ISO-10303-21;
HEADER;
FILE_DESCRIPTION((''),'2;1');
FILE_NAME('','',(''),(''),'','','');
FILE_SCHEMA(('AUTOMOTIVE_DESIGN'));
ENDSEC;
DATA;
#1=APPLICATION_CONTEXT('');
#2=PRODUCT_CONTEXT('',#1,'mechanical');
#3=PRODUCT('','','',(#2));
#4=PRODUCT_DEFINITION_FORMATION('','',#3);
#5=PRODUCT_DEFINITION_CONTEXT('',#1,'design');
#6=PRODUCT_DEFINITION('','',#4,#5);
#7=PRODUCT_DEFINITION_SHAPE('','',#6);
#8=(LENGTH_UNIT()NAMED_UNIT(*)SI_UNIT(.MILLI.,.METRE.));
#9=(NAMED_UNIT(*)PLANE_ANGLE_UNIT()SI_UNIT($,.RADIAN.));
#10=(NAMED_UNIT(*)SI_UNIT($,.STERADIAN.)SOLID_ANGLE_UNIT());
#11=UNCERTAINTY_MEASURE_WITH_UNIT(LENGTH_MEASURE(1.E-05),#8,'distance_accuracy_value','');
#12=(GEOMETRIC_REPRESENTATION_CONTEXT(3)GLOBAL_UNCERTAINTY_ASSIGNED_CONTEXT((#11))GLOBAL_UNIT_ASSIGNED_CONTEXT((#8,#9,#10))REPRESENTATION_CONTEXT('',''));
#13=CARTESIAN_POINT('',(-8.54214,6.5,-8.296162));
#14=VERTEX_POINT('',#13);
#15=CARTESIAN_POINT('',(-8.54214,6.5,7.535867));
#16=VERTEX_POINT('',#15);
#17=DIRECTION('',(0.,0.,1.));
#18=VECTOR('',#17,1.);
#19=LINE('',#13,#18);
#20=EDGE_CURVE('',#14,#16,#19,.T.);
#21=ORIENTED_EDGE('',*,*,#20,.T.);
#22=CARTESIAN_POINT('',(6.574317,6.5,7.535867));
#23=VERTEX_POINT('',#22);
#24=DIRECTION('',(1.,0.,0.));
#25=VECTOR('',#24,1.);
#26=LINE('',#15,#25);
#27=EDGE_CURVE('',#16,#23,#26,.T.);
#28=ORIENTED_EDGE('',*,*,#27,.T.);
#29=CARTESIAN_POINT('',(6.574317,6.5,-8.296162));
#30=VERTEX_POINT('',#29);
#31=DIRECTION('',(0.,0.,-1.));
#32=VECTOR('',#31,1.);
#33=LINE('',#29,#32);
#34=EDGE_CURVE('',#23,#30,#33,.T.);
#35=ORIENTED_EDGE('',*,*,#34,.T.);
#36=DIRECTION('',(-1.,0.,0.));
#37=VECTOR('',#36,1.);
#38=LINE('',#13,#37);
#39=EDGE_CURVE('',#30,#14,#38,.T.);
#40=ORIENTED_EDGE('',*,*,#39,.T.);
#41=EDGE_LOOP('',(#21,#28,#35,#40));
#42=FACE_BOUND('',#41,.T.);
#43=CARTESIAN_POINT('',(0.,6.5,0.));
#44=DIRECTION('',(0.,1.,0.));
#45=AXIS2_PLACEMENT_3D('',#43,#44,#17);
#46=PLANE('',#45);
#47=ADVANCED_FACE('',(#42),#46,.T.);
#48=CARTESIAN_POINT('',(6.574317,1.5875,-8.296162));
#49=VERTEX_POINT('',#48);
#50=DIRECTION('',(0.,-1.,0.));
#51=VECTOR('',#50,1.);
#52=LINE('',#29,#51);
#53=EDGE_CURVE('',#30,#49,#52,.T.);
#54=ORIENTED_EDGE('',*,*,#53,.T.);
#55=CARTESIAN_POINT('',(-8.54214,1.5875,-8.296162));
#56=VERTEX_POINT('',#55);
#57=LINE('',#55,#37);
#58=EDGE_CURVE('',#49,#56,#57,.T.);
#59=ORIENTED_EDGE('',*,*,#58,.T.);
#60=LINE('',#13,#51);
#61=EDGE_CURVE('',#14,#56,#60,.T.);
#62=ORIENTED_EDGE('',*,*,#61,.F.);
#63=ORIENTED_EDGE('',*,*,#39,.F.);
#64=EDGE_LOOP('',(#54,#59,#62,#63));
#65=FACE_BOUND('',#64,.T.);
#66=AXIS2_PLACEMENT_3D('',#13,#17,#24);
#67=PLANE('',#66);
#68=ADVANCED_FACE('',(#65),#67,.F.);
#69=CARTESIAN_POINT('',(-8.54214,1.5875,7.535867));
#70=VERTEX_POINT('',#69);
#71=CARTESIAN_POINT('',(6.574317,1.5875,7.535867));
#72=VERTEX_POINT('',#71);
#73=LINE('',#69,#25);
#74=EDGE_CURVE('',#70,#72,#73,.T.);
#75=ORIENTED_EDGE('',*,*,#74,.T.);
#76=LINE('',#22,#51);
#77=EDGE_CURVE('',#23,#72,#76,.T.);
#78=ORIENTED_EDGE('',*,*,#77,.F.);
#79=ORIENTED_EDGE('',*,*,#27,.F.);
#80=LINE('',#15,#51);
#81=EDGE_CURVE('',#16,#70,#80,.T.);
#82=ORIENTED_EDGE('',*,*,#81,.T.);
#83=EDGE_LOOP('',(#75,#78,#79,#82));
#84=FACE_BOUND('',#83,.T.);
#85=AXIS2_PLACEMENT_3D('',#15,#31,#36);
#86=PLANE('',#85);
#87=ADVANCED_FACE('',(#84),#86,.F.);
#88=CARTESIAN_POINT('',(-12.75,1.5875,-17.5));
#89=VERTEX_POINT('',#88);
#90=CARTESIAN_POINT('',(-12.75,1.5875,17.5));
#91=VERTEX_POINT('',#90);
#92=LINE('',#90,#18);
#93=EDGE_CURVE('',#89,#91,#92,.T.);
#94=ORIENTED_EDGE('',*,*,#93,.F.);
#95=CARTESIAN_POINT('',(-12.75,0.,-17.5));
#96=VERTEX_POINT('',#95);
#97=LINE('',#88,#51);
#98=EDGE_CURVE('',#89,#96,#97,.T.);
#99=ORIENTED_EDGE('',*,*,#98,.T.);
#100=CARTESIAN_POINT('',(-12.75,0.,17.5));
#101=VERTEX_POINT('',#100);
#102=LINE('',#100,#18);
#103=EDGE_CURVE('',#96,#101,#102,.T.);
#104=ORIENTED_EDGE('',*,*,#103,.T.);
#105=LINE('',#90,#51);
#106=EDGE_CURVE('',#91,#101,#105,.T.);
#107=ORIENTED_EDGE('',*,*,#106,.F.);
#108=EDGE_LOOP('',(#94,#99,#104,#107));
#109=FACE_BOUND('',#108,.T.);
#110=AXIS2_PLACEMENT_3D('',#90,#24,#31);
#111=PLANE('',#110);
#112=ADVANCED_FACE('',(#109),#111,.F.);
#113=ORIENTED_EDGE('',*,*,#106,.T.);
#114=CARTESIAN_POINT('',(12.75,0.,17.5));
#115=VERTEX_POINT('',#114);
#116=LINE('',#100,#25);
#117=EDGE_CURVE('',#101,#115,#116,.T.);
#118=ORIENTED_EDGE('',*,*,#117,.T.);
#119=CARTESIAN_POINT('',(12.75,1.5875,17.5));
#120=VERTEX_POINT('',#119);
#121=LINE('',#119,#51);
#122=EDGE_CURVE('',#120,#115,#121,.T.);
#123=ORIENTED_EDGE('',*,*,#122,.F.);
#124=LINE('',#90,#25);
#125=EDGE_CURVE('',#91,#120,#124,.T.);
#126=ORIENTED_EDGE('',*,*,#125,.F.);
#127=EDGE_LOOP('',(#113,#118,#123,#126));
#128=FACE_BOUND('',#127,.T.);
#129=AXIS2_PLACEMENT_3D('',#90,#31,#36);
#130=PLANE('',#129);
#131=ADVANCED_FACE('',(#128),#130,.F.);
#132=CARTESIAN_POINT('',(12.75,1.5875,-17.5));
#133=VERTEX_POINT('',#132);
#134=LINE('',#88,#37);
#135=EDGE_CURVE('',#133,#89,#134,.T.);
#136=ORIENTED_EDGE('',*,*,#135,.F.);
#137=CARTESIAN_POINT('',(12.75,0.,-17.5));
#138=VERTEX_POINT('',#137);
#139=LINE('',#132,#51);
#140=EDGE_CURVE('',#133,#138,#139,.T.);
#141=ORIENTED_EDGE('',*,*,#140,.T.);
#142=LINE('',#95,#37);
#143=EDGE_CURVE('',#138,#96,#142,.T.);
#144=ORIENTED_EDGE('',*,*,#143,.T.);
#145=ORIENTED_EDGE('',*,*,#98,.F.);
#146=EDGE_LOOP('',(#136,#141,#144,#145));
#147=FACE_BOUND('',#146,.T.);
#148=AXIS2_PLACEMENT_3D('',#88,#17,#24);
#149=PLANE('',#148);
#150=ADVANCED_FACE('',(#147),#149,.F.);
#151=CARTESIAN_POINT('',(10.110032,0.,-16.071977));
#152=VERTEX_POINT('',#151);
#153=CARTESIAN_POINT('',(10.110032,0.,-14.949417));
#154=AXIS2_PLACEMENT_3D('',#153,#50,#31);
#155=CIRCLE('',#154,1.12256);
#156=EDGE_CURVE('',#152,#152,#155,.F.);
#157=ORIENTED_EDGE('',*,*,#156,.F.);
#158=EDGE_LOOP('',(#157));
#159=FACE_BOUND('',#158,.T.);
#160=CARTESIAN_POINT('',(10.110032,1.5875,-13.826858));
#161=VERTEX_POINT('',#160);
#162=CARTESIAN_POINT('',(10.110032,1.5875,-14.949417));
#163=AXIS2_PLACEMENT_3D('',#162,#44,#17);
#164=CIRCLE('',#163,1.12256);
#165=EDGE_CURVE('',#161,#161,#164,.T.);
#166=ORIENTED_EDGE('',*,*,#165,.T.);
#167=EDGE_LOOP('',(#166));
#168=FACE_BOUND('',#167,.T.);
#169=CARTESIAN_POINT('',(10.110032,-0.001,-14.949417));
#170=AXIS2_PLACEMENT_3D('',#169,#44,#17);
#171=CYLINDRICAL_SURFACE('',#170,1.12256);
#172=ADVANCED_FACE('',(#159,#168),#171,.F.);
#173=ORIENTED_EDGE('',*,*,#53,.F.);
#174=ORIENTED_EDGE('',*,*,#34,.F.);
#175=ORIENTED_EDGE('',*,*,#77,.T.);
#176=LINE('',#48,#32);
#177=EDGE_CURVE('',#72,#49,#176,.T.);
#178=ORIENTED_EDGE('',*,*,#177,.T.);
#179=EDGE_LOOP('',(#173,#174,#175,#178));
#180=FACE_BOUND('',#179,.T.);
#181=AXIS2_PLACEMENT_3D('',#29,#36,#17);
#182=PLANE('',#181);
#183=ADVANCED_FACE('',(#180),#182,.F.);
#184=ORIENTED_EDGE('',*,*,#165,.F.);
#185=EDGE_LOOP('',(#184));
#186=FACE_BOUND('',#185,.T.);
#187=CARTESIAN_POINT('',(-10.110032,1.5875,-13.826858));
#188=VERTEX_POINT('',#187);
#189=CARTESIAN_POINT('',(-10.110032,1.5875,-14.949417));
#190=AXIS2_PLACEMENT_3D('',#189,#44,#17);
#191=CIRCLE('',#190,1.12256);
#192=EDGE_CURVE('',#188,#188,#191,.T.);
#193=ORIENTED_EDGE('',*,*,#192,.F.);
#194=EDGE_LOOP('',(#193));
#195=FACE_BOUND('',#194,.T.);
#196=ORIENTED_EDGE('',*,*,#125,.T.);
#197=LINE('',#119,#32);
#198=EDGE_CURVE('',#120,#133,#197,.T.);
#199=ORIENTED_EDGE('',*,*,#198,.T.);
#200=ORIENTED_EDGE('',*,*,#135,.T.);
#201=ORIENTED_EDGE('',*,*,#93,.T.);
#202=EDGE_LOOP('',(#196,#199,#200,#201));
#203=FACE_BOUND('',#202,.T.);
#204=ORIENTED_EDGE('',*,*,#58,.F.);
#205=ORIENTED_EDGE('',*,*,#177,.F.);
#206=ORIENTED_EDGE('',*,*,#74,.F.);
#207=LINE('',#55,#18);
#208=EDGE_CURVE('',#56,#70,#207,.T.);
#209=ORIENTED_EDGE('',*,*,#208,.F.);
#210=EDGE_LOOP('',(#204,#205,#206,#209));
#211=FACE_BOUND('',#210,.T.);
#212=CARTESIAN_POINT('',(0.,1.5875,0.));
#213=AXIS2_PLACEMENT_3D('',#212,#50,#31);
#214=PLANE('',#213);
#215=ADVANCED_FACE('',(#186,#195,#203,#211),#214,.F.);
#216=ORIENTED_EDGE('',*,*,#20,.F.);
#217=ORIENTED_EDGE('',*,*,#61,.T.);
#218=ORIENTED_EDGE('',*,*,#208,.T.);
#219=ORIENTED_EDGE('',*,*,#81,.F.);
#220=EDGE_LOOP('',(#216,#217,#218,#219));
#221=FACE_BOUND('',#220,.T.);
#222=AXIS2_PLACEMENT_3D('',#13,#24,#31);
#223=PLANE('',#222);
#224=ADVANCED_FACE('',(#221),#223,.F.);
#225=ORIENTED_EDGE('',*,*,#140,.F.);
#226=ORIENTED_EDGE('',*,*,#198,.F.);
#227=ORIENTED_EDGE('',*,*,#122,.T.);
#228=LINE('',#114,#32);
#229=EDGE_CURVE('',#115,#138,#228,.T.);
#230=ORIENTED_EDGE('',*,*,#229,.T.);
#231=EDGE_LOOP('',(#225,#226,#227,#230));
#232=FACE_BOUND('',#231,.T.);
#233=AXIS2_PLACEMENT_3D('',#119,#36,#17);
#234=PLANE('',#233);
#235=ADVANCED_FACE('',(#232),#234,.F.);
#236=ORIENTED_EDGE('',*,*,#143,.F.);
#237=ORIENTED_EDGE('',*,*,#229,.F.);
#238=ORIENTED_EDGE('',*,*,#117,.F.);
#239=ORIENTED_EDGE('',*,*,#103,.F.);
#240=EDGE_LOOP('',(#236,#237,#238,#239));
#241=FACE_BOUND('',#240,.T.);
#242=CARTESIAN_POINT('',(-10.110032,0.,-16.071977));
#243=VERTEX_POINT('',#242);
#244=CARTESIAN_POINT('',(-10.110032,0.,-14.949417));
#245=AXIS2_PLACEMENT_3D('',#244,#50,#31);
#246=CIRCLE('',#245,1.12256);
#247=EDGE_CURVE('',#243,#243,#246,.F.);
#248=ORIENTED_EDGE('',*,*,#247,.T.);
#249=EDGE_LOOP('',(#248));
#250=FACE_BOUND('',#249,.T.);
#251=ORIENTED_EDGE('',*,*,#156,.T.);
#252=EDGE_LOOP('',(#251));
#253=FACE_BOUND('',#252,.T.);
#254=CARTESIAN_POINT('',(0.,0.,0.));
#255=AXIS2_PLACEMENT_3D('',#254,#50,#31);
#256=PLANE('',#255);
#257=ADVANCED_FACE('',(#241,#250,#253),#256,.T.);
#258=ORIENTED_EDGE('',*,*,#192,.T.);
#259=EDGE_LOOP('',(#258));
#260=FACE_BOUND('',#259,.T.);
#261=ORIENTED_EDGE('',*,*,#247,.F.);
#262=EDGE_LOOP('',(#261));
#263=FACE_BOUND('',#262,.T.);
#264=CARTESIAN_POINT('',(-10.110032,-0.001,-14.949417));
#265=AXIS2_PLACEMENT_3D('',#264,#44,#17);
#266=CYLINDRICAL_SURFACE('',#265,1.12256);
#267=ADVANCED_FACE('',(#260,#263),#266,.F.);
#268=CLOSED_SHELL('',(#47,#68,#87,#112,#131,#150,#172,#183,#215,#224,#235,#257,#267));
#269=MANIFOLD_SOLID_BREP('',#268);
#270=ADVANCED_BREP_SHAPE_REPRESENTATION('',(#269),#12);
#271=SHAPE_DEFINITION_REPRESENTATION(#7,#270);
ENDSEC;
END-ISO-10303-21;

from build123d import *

# Parameters (mm, degrees)
SKETCH1_W           = 25.5
SKETCH1_H           = 35
BOSS_EXTRUDE1_DEPTH = 1.5875
SKETCH2_W           = 15.116457136
SKETCH2_H           = 15.832029072
BOSS_EXTRUDE2_DEPTH = 4.9125
CUT_EXTRUDE1_REACH  = 24.202
SKETCH3_R           = 1.122559654


with BuildPart() as part:
    # Sketch1 → Boss-Extrude1 (new body)
    with BuildSketch(Plane(origin=(0, 0, 0), x_dir=(1, 0, 0), z_dir=(0, 1, 0))):
        Rectangle(SKETCH1_W, SKETCH1_H)
    extrude(amount=BOSS_EXTRUDE1_DEPTH)

    # Sketch2 → Boss-Extrude2 (add)
    with BuildSketch(Plane(origin=(0, 1.5875, 0), x_dir=(1, 0, 0), z_dir=(0, 1, 0))):
        with Locations((-0.983911411, 0.380147591)):
            Rectangle(SKETCH2_W, SKETCH2_H)
    extrude(amount=BOSS_EXTRUDE2_DEPTH)

    # Sketch3 → Cut-Extrude1 (cut, up to next)
    with BuildSketch(Plane(origin=(0, 1.5875, 0), x_dir=(1, 0, 0), z_dir=(0, 1, 0)), mode=Mode.PRIVATE) as cut_extrude1_sk1:
        with Locations(Location((-10.110032203, 14.949417208, 0), (0, 0, 270))):
            Circle(SKETCH3_R)
    cut_extrude1_tool1 = extrude(cut_extrude1_sk1.sketch, amount=-CUT_EXTRUDE1_REACH, mode=Mode.PRIVATE) & part.part
    # Sketch3 → Cut-Extrude1 (cut, up to next)
    with BuildSketch(Plane(origin=(0, 1.5875, 0), x_dir=(1, 0, 0), z_dir=(0, 1, 0)), mode=Mode.PRIVATE) as cut_extrude1_sk2:
        with Locations(Location((10.110032203, 14.949417208, 0), (0, 0, 270))):
            Circle(SKETCH3_R)
    cut_extrude1_tool2 = extrude(cut_extrude1_sk2.sketch, amount=-CUT_EXTRUDE1_REACH, mode=Mode.PRIVATE) & part.part
    add(cut_extrude1_tool1.solids().sort_by_distance((-10.110032, 1.5875, -14.949417))[0], mode=Mode.SUBTRACT)
    add(cut_extrude1_tool2.solids().sort_by_distance((10.110032, 1.5875, -14.949417))[0], mode=Mode.SUBTRACT)


solid = part.part
